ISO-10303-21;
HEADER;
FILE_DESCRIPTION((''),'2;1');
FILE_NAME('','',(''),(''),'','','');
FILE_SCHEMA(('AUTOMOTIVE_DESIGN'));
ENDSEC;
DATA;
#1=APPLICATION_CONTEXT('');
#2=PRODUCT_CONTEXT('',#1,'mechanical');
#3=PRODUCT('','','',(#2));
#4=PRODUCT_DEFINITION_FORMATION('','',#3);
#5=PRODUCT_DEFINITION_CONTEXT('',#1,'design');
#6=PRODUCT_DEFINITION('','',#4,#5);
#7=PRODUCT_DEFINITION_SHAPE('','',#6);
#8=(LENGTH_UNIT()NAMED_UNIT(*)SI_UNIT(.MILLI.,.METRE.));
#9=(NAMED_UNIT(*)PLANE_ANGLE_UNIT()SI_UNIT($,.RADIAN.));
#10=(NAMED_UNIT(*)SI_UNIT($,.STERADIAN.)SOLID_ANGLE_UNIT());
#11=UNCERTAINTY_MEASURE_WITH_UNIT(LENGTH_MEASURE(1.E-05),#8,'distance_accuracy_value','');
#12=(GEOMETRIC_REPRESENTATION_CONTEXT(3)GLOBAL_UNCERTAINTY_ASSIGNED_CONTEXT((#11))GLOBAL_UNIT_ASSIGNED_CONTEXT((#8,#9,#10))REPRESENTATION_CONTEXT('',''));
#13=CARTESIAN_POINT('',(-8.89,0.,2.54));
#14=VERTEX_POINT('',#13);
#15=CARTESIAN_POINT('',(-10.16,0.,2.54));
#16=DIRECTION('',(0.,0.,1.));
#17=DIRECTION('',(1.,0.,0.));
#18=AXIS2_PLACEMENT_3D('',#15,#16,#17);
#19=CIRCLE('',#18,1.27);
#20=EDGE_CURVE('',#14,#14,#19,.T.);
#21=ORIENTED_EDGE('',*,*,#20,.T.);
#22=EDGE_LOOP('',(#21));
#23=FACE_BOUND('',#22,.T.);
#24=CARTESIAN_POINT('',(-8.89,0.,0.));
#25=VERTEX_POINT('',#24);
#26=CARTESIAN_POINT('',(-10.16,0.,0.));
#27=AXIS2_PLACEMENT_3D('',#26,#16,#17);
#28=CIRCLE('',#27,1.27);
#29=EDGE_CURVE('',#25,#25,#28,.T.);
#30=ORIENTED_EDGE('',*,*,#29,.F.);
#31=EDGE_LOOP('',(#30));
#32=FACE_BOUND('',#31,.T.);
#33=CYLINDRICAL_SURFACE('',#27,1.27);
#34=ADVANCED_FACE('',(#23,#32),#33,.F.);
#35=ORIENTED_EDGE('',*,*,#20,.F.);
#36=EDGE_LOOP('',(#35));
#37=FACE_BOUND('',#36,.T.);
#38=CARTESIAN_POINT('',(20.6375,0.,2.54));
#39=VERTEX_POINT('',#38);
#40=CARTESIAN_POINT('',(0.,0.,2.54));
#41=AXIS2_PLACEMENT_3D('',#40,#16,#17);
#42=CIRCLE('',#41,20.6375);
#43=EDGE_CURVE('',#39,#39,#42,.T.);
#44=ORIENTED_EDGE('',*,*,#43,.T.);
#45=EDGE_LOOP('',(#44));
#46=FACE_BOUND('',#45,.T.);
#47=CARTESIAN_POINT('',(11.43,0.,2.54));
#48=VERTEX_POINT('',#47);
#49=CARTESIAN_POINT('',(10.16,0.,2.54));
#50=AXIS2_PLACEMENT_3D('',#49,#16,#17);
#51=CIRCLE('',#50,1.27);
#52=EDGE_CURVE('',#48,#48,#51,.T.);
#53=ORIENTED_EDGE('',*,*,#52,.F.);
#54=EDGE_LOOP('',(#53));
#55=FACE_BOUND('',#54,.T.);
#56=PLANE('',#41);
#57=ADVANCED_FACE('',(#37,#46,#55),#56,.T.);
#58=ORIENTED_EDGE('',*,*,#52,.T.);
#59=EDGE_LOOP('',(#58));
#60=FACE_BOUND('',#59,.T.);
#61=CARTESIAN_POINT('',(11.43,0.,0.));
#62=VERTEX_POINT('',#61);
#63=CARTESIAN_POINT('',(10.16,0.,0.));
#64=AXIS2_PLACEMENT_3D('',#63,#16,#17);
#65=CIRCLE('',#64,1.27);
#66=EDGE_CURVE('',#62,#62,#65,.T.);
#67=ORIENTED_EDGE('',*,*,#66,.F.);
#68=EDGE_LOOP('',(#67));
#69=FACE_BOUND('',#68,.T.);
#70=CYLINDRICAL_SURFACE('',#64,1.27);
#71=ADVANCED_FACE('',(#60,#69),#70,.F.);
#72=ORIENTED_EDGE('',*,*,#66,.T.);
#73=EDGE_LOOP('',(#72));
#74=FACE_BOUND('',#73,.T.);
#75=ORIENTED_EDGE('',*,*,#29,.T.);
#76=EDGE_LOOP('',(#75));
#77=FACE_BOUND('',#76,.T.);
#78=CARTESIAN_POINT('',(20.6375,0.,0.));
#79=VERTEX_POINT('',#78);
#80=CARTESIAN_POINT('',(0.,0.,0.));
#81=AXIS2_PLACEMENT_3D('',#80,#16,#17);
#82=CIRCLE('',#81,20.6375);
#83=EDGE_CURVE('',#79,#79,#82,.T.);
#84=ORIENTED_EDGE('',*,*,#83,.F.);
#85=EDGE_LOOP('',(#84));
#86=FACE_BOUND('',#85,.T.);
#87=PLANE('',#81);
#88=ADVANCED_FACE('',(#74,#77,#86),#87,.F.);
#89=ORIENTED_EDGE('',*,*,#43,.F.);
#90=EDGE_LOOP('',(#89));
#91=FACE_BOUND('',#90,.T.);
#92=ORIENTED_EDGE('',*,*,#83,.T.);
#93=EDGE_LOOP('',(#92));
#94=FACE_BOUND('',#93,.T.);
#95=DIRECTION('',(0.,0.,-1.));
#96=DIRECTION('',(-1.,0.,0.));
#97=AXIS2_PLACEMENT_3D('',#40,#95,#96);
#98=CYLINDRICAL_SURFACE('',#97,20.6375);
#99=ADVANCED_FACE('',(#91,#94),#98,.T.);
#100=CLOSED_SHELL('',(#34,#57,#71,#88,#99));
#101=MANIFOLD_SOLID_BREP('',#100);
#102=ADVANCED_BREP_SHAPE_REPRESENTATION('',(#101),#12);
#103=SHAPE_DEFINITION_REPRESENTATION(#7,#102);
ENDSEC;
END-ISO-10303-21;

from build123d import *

# Parameters (mm, degrees)
SKETCH1_R           = 20.6375
BOSS_EXTRUDE1_DEPTH = 2.54
CUT_EXTRUDE1_DEPTH  = 3.54


with BuildPart() as part:
    # Sketch1 → Boss-Extrude1 (new body)
    with BuildSketch(Plane.XY):
        Circle(SKETCH1_R)
    extrude(amount=BOSS_EXTRUDE1_DEPTH)

    # Sketch2 → Cut-Extrude1 (cut, through all)
    with BuildSketch(Plane.XY.offset(2.54)):
        with BuildLine():
            ThreePointArc((-8.89, 0), (-10.16, 1.27), (-11.43, 0))
            Line((-11.43, 0), (-8.89, 0))
        make_face()
        with BuildLine():
            Line((-8.89, 0), (-11.43, 0))
            ThreePointArc((-11.43, 0), (-10.16, -1.27), (-8.89, 0))
        make_face()
        with BuildLine():
            ThreePointArc((11.43, 0), (10.16, 1.27), (8.89, 0))
            Line((8.89, 0), (11.43, 0))
        make_face()
        with BuildLine():
            Line((11.43, 0), (8.89, 0))
            ThreePointArc((8.89, 0), (10.16, -1.27), (11.43, 0))
        make_face()
    extrude(amount=-CUT_EXTRUDE1_DEPTH, mode=Mode.SUBTRACT)


solid = part.part
